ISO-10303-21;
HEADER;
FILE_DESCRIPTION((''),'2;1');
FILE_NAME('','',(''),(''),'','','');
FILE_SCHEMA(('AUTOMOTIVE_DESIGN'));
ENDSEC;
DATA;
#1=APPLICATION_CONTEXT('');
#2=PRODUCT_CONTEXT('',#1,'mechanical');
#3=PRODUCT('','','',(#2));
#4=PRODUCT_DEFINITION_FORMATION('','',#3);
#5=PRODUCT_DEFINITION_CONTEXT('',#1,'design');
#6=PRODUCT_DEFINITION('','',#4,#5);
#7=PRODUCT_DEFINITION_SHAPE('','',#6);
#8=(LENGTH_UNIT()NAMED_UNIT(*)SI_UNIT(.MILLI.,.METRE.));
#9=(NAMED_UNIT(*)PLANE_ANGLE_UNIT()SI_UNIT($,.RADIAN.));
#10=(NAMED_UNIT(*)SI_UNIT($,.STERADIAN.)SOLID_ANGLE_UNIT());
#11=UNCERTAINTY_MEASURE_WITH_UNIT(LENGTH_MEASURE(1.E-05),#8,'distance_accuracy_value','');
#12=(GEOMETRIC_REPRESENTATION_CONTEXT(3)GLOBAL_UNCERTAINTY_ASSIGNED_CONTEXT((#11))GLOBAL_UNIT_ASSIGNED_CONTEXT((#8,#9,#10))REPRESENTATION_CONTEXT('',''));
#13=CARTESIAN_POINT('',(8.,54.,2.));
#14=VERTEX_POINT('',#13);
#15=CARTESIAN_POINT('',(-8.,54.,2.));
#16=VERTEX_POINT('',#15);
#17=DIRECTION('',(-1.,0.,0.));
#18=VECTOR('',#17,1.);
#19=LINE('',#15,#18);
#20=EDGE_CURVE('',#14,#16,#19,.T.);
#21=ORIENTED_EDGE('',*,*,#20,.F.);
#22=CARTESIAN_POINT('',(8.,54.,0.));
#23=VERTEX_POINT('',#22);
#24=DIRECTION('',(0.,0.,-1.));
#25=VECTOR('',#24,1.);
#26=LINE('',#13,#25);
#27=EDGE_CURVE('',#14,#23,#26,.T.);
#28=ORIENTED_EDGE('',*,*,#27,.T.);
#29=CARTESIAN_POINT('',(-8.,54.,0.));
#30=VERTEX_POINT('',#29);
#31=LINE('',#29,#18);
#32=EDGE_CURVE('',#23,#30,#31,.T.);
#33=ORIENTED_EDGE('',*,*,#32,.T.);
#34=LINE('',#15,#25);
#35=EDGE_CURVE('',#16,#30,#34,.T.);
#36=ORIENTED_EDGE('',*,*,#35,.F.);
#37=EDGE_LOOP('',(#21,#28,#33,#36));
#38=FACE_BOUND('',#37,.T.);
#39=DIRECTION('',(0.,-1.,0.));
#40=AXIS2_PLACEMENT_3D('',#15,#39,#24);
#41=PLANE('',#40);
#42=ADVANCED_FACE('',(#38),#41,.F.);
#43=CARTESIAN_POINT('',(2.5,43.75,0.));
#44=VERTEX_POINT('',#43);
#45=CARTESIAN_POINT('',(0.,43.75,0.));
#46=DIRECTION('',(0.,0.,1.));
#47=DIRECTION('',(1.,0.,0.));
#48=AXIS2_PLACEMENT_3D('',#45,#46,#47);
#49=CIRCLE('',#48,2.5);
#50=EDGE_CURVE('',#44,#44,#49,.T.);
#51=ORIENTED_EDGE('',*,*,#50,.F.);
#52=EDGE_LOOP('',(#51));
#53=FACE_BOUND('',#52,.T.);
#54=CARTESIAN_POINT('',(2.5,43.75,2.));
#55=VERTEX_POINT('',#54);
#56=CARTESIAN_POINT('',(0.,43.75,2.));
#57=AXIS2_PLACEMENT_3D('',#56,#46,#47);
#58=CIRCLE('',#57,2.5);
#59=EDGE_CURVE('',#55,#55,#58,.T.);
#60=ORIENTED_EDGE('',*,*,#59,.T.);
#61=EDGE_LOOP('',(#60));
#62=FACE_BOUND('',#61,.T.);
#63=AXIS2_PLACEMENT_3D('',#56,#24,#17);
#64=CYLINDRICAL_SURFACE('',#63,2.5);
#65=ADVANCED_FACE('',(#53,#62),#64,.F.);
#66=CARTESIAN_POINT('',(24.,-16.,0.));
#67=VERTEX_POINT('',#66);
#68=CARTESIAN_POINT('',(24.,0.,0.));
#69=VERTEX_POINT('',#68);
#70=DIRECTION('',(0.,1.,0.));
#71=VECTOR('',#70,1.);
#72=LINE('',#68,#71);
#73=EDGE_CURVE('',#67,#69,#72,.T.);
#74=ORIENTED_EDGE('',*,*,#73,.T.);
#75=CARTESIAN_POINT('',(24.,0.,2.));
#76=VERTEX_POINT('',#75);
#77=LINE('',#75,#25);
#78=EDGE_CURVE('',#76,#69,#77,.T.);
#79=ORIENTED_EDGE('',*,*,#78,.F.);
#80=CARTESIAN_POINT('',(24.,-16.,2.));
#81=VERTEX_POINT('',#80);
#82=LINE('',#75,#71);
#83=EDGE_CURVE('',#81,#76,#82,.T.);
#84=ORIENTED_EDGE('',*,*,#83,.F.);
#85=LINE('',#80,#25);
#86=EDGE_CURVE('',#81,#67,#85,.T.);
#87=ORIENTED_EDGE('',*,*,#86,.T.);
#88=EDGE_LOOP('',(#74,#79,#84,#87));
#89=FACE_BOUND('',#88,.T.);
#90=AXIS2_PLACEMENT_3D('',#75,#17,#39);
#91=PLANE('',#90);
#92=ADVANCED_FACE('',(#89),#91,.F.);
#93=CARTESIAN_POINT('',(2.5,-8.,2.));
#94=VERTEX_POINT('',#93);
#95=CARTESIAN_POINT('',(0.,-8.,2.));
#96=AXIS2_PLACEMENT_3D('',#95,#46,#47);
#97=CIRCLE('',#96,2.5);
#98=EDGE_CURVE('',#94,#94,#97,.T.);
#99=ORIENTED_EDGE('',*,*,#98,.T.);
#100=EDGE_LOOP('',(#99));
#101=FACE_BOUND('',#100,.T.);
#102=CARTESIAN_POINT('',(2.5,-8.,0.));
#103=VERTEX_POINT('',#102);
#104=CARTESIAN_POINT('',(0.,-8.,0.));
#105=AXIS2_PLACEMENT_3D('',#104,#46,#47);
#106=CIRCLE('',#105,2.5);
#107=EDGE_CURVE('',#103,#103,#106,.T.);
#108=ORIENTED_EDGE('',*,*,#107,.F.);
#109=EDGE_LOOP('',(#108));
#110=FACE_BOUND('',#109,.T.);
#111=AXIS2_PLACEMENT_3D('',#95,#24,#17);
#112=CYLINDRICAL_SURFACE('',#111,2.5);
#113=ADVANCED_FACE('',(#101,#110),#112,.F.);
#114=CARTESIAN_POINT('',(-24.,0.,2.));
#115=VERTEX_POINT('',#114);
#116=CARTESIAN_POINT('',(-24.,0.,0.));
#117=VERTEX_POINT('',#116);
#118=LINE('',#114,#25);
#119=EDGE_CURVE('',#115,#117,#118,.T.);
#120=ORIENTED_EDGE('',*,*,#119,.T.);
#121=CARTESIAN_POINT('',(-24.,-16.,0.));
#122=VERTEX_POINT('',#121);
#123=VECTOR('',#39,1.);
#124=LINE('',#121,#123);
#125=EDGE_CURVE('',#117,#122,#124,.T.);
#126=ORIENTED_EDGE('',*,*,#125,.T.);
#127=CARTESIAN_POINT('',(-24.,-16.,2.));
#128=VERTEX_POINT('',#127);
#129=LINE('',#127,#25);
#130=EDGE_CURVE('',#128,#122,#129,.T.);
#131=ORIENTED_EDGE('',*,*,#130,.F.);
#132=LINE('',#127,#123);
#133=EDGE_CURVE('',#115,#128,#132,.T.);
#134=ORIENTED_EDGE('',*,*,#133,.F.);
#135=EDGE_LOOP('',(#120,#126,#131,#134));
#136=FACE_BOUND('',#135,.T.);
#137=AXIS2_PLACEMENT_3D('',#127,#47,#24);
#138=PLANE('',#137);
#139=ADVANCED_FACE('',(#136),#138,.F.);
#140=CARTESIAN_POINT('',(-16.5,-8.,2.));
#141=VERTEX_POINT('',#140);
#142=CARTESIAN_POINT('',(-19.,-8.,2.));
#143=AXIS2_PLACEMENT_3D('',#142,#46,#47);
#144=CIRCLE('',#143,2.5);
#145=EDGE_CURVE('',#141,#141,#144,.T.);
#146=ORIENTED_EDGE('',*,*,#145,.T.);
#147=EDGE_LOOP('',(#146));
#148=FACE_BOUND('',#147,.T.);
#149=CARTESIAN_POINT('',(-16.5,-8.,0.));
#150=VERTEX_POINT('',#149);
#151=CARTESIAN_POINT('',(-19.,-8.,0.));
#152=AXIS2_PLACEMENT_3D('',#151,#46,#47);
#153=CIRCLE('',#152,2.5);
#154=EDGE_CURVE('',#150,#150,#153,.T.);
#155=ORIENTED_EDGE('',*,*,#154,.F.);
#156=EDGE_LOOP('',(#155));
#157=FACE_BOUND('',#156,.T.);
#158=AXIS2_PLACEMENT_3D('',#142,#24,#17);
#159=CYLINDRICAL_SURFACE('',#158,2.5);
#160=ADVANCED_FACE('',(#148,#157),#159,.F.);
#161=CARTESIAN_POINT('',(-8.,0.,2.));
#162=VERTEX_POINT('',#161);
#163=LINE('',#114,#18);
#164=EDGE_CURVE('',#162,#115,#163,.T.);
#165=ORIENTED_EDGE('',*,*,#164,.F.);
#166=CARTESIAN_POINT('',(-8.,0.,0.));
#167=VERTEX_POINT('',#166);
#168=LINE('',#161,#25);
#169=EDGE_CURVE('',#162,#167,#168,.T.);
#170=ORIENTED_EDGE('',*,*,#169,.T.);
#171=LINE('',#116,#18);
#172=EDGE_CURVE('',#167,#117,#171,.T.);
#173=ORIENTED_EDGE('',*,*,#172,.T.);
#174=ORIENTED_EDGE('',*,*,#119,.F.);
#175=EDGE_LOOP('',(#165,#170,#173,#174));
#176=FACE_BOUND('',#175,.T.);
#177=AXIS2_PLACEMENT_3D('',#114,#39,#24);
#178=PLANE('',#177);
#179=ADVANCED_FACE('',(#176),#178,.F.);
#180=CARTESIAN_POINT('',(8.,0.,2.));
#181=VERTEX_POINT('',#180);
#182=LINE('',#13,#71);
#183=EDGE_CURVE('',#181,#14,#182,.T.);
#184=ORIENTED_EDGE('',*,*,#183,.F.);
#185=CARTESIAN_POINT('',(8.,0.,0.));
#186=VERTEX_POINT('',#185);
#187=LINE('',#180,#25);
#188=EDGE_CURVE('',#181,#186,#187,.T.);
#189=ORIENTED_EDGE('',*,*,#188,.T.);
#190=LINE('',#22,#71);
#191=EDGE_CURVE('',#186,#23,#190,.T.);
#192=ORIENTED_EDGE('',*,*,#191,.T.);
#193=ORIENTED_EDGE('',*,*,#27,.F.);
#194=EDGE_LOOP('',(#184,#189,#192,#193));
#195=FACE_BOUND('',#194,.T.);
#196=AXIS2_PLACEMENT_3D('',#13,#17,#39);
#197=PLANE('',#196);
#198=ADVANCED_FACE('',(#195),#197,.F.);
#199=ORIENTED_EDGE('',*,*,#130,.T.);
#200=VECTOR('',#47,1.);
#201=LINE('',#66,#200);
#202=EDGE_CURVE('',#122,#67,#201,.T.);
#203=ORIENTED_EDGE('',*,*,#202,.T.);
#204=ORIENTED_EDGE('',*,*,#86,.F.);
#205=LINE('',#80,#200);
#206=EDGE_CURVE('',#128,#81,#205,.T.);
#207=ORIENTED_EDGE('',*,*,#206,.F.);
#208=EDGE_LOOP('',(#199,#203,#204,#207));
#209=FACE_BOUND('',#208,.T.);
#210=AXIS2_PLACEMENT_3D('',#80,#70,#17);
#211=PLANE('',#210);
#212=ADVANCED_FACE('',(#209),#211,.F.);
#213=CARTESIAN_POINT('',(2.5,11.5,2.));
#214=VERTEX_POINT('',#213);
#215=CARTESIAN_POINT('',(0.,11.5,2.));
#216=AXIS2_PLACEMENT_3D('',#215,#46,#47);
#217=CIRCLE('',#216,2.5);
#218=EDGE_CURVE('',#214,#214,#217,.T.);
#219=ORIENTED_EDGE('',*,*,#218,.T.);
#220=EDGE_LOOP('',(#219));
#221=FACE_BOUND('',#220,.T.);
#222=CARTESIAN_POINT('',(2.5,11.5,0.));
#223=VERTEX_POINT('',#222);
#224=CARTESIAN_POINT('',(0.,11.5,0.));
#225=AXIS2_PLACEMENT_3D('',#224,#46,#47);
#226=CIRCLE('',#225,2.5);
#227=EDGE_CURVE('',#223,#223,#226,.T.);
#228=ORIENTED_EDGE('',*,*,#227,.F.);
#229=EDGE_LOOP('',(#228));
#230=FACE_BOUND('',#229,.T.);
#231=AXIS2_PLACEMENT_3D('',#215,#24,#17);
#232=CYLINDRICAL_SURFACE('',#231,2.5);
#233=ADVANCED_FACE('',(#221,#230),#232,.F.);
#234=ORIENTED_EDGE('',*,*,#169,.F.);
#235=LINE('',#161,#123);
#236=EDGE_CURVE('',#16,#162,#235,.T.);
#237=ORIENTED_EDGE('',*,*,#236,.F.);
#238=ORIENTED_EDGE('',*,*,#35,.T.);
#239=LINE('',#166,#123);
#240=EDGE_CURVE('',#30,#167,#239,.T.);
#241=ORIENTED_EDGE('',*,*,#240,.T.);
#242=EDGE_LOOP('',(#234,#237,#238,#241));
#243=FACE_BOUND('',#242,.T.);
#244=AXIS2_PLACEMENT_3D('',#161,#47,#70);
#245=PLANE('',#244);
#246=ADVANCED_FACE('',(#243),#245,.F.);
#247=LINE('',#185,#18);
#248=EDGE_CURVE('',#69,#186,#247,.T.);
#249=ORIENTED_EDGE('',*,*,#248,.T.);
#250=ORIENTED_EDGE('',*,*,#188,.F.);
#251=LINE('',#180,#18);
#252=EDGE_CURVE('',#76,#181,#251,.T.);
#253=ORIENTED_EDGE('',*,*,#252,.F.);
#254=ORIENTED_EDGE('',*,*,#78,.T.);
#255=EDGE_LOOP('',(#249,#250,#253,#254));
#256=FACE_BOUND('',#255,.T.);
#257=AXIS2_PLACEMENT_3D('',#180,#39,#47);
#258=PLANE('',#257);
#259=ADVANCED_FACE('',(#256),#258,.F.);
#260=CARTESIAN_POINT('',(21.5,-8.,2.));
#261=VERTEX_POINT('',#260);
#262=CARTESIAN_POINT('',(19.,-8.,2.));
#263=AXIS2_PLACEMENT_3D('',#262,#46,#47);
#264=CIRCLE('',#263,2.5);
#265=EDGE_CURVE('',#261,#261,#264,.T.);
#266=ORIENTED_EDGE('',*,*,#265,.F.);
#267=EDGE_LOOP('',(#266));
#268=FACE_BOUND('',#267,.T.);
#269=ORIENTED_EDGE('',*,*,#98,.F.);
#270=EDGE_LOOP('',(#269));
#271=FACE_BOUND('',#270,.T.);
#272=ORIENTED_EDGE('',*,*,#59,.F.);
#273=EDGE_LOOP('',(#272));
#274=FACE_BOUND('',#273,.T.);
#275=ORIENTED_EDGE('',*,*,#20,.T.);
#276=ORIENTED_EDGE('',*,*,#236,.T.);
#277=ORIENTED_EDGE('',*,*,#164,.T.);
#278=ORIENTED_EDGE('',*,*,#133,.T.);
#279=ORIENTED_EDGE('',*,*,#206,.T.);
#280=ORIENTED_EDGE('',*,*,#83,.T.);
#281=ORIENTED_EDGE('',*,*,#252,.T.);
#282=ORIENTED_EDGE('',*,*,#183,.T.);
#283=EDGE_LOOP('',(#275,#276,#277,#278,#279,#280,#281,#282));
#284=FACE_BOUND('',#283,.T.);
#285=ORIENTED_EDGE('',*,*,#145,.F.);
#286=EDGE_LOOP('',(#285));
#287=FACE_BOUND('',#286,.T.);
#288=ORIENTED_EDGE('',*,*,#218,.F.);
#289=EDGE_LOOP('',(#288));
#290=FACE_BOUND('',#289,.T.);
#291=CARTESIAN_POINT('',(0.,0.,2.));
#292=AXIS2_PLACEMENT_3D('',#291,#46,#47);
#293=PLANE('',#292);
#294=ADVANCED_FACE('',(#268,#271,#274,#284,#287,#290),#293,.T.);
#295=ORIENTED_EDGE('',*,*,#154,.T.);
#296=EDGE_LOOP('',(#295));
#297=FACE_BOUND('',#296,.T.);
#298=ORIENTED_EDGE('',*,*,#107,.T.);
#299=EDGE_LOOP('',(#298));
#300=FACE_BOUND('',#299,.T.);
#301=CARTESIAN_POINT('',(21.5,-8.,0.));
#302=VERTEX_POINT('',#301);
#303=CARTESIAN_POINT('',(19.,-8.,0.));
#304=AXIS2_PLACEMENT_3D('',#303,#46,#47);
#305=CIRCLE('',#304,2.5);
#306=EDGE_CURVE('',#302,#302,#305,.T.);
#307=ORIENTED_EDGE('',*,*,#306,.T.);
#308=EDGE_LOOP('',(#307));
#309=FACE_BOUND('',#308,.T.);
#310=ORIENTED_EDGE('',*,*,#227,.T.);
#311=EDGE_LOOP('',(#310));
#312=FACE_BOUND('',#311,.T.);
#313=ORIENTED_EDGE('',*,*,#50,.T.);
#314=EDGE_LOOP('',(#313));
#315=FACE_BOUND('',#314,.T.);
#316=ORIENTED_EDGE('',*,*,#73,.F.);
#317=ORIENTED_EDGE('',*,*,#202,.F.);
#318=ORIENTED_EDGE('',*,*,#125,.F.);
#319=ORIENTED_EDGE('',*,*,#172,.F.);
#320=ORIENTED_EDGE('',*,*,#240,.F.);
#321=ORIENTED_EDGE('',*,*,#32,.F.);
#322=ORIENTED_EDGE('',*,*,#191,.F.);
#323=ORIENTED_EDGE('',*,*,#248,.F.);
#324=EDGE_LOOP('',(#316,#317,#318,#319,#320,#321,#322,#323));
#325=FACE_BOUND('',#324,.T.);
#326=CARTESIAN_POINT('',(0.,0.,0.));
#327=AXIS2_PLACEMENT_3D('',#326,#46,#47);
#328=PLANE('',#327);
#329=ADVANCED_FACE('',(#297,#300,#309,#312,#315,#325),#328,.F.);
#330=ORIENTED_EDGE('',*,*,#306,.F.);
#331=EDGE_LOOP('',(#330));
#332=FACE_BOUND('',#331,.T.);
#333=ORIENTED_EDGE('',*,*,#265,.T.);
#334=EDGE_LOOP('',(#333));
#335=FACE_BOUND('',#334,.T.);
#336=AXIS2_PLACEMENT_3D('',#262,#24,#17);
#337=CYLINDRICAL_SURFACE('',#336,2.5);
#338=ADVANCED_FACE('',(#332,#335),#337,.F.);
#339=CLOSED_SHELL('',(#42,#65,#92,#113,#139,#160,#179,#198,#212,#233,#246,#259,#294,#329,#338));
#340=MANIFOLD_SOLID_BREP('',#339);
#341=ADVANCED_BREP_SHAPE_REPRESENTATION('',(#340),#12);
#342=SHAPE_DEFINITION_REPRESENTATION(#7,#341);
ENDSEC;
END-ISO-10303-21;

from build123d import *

# Parameters (mm, degrees)
SKETCH2_R      = 2.5
EXTRUDE1_DEPTH = 2


with BuildPart() as part:
    # Sketch2 → Extrude1 (new body)
    with BuildSketch(Plane.XY):
        Polygon((-8, 0), (-8, 54), (8, 54), (8, 0), (24, 0), (24, -16), (-24, -16), (-24, 0), align=None)
        with Locations((19, -8)):
            Circle(SKETCH2_R, mode=Mode.SUBTRACT)
        with Locations((0, -8)):
            Circle(SKETCH2_R, mode=Mode.SUBTRACT)
        with Locations((-19, -8)):
            Circle(SKETCH2_R, mode=Mode.SUBTRACT)
        with Locations((0, 43.75)):
            Circle(SKETCH2_R, mode=Mode.SUBTRACT)
        with Locations((0, 11.5)):
            Circle(SKETCH2_R, mode=Mode.SUBTRACT)
    extrude(amount=EXTRUDE1_DEPTH)


solid = part.part
